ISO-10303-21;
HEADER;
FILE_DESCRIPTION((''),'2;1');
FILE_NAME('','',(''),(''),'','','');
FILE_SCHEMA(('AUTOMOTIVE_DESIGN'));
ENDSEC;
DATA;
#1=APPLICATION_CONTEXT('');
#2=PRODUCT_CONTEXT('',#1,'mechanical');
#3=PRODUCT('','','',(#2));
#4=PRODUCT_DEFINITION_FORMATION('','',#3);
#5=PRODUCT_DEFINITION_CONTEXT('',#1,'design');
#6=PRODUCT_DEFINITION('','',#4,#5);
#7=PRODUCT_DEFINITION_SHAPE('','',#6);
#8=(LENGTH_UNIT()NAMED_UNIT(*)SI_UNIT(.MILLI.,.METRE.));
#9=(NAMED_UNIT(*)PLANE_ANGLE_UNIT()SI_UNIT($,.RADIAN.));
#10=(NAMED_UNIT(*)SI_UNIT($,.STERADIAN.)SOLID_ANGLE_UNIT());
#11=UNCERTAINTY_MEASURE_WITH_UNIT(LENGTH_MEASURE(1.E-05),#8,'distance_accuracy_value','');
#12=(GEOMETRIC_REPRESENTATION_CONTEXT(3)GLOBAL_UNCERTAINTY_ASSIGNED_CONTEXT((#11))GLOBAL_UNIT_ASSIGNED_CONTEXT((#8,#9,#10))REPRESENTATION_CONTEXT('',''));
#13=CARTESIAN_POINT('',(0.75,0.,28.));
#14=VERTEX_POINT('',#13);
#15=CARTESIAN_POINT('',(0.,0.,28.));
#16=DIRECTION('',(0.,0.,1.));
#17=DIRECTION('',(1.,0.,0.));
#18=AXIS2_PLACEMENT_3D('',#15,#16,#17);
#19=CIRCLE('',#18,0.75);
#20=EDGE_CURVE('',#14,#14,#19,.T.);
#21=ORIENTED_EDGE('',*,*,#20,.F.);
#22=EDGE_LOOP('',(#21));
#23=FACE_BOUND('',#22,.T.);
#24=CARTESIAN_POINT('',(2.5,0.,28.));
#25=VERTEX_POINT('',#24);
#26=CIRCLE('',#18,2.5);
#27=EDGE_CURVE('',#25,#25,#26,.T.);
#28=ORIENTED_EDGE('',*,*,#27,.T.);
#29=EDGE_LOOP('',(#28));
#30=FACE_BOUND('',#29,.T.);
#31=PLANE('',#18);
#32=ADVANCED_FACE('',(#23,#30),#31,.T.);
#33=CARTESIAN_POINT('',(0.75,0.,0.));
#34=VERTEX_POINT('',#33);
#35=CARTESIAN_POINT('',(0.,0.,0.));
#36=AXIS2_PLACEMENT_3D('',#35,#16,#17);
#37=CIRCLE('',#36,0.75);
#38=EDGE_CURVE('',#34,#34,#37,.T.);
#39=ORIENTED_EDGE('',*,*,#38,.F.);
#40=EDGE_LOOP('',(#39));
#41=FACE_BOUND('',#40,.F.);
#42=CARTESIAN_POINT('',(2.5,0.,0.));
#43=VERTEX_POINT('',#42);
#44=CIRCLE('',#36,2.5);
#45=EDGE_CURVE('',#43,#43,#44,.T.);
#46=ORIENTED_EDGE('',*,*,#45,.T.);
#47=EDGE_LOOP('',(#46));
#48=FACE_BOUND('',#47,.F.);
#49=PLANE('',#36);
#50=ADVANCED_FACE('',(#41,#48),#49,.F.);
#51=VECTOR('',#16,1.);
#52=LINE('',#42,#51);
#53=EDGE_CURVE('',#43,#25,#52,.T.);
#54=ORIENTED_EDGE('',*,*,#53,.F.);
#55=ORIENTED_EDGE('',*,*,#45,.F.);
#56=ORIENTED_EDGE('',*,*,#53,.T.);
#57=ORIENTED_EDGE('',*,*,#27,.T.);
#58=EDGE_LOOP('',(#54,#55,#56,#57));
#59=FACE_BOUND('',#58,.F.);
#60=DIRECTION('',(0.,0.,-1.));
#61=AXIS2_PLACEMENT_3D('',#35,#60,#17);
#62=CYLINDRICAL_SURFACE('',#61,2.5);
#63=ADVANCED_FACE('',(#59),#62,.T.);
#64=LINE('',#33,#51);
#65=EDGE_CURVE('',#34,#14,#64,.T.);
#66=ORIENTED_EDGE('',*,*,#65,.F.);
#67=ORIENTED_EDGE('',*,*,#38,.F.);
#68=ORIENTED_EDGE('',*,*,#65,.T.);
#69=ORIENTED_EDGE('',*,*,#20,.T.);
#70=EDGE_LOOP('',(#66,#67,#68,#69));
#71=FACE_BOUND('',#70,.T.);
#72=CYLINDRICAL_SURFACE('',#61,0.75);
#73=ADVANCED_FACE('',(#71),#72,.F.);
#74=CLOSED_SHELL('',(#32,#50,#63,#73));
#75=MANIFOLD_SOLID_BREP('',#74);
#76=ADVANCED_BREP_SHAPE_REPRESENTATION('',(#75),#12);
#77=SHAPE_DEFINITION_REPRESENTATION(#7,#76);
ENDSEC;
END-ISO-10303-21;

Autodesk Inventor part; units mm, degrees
ref_plane "YZ Plane" through (0, 0, 0) normal (1, 0, 0) x (0, 1, 0)
ref_plane "XZ Plane" through (0, 0, 0) normal (0, 1, 0) x (-1, 0, 0)
ref_plane "XY Plane" through (0, 0, 0) normal (0, 0, 1) x (1, 0, 0)
sketch "Skizze1" plane through (0, 0, 0) normal (0, 0, 1) x (1, 0, 0)
  circle A0 centre (0, 0) radius 2.5
  circle A1 centre (0, 0) radius 0.75
  dimension "d0" = 5
  dimension "d1" = 1.5
extrude "Extrusion1" add sketch "Skizze1" along normal blind 28
properties part number "Hebel_Klemme_Rohrende"
